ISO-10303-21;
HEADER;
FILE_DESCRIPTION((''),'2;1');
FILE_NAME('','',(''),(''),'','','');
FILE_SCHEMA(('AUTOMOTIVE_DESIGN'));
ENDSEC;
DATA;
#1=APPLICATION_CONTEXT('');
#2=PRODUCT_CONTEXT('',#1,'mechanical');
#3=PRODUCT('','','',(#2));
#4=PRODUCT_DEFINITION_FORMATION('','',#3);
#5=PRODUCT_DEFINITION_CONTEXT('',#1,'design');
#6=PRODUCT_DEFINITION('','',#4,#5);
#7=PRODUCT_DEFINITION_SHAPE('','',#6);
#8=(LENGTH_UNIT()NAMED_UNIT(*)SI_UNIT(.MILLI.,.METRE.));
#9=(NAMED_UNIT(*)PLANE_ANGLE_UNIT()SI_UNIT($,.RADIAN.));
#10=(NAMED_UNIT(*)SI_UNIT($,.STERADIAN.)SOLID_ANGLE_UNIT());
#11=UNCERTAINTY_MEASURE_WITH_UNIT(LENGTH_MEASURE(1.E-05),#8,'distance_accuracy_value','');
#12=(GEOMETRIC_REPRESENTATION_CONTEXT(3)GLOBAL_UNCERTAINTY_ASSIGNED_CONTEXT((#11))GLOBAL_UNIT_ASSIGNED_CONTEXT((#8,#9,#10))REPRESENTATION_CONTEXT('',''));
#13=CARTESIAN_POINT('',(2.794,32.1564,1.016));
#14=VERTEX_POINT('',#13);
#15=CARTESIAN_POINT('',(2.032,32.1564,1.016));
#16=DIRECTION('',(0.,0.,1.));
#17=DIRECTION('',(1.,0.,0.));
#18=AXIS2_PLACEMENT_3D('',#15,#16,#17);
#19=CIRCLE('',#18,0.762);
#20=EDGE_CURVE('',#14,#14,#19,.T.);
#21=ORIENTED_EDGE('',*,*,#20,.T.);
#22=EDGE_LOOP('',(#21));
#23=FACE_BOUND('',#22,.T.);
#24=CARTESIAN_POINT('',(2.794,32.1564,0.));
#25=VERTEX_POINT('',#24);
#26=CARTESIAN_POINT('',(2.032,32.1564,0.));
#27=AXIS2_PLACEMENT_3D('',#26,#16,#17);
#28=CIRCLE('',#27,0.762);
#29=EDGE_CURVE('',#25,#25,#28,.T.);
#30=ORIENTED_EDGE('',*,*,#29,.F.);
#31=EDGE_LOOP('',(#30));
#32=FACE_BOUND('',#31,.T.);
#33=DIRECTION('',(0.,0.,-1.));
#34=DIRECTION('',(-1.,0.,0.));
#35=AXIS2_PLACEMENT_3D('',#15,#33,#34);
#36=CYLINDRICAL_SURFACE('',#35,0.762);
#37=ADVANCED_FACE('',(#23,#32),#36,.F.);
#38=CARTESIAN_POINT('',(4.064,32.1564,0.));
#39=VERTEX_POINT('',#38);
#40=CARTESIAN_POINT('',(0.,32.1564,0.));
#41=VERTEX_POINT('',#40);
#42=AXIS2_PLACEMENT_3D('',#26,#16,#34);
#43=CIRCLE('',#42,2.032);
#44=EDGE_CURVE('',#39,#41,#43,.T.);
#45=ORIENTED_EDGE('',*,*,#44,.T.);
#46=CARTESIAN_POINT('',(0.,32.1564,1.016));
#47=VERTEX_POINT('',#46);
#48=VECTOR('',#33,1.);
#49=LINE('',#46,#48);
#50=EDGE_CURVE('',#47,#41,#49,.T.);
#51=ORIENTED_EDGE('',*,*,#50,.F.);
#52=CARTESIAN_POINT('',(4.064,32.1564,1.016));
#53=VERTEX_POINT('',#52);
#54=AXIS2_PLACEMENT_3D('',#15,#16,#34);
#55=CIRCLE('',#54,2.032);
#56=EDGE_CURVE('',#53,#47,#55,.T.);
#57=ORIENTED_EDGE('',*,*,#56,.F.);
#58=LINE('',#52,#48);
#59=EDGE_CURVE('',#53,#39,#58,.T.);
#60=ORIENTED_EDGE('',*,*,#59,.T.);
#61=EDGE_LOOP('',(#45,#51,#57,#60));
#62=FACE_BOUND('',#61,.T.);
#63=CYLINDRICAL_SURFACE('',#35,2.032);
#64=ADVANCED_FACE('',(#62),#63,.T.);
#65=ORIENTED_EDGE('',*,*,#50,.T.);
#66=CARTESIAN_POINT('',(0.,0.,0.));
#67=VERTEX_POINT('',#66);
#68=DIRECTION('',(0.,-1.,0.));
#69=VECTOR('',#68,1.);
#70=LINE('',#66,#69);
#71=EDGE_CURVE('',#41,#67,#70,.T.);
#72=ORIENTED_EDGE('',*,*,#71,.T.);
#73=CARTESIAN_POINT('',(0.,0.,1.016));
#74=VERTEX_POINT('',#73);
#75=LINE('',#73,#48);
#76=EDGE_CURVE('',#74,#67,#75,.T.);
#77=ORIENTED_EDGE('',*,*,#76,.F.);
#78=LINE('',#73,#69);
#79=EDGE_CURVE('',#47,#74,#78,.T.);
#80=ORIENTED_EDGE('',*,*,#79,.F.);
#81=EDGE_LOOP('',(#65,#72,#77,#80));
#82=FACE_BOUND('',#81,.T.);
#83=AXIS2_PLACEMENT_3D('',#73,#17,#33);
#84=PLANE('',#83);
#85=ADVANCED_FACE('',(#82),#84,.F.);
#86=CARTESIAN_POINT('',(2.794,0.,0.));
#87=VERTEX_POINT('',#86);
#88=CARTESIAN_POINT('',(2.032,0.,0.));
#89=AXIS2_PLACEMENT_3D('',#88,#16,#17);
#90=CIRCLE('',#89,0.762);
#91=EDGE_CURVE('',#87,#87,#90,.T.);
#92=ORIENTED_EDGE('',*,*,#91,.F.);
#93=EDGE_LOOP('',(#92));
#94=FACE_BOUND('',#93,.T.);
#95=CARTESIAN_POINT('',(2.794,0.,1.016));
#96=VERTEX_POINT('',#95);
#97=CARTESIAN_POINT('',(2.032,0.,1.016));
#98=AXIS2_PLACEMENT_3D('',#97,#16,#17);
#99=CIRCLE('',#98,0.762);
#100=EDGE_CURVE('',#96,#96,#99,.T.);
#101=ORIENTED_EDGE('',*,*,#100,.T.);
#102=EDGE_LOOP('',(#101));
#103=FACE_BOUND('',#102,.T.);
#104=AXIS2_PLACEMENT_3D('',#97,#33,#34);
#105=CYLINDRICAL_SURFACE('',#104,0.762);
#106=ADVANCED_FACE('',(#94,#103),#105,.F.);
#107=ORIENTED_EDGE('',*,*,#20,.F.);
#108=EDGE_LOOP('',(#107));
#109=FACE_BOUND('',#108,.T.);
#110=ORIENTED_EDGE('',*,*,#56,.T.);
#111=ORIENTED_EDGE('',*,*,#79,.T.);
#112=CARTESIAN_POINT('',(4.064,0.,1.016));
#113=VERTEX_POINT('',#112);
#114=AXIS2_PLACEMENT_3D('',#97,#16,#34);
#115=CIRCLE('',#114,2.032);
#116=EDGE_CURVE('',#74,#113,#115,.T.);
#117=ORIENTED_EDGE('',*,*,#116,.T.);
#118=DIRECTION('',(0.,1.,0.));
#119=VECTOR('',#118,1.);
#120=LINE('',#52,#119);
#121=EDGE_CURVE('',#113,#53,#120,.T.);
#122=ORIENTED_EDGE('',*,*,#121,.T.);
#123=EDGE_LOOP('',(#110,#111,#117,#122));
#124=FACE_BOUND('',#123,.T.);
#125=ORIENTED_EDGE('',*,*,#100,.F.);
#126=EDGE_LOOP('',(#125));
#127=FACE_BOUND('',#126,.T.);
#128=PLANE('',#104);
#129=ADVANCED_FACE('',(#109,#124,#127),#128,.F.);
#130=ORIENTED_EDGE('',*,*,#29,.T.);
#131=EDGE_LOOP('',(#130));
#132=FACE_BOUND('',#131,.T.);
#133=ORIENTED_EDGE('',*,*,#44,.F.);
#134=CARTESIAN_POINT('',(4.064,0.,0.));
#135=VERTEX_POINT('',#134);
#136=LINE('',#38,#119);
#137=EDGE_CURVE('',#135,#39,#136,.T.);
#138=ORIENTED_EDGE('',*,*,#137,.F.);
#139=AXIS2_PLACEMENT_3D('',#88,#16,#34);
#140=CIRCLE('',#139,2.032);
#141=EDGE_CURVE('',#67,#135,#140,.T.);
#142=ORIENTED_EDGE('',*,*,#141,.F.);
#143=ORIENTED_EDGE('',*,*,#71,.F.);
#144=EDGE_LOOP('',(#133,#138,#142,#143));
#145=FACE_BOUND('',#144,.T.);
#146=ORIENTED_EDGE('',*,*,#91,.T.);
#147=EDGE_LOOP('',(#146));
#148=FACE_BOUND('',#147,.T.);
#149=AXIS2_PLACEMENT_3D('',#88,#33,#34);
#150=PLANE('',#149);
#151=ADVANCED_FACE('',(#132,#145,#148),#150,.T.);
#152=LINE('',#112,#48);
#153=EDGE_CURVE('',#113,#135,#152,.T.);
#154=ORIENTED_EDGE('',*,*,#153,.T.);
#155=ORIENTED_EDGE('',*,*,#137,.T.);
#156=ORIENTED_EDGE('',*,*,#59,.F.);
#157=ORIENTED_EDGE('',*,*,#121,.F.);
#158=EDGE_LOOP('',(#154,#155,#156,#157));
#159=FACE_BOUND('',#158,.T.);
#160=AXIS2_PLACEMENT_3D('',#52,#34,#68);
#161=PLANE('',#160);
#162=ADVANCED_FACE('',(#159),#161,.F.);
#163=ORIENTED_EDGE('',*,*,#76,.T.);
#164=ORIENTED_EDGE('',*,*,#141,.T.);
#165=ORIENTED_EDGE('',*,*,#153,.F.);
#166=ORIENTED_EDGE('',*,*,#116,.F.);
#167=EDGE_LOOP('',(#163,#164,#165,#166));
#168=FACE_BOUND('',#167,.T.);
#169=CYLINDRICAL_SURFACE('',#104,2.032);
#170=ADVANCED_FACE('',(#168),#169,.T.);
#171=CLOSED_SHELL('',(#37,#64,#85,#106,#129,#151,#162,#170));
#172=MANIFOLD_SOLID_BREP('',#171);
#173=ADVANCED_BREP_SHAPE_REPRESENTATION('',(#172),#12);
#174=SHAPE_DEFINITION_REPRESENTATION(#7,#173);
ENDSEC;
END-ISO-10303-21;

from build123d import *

# Parameters (mm, degrees)
SKETCH1_R           = 0.762
BOSS_EXTRUDE1_DEPTH = 1.016


with BuildPart() as part:
    # Sketch1 → Boss-Extrude1 (new body)
    with BuildSketch(Plane.XY):
        with BuildLine():
            Line((0, 0), (0, 32.1564))
            ThreePointArc((0, 32.1564), (2.032, 34.1884), (4.064, 32.1564))
            Line((4.064, 32.1564), (4.064, 0))
            ThreePointArc((4.064, 0), (2.032, -2.032), (0, 0))
        make_face()
        with Locations((2.032, 32.1564)):
            Circle(SKETCH1_R, mode=Mode.SUBTRACT)
        with Locations((2.032, 0)):
            Circle(SKETCH1_R, mode=Mode.SUBTRACT)
    extrude(amount=BOSS_EXTRUDE1_DEPTH)


solid = part.part
